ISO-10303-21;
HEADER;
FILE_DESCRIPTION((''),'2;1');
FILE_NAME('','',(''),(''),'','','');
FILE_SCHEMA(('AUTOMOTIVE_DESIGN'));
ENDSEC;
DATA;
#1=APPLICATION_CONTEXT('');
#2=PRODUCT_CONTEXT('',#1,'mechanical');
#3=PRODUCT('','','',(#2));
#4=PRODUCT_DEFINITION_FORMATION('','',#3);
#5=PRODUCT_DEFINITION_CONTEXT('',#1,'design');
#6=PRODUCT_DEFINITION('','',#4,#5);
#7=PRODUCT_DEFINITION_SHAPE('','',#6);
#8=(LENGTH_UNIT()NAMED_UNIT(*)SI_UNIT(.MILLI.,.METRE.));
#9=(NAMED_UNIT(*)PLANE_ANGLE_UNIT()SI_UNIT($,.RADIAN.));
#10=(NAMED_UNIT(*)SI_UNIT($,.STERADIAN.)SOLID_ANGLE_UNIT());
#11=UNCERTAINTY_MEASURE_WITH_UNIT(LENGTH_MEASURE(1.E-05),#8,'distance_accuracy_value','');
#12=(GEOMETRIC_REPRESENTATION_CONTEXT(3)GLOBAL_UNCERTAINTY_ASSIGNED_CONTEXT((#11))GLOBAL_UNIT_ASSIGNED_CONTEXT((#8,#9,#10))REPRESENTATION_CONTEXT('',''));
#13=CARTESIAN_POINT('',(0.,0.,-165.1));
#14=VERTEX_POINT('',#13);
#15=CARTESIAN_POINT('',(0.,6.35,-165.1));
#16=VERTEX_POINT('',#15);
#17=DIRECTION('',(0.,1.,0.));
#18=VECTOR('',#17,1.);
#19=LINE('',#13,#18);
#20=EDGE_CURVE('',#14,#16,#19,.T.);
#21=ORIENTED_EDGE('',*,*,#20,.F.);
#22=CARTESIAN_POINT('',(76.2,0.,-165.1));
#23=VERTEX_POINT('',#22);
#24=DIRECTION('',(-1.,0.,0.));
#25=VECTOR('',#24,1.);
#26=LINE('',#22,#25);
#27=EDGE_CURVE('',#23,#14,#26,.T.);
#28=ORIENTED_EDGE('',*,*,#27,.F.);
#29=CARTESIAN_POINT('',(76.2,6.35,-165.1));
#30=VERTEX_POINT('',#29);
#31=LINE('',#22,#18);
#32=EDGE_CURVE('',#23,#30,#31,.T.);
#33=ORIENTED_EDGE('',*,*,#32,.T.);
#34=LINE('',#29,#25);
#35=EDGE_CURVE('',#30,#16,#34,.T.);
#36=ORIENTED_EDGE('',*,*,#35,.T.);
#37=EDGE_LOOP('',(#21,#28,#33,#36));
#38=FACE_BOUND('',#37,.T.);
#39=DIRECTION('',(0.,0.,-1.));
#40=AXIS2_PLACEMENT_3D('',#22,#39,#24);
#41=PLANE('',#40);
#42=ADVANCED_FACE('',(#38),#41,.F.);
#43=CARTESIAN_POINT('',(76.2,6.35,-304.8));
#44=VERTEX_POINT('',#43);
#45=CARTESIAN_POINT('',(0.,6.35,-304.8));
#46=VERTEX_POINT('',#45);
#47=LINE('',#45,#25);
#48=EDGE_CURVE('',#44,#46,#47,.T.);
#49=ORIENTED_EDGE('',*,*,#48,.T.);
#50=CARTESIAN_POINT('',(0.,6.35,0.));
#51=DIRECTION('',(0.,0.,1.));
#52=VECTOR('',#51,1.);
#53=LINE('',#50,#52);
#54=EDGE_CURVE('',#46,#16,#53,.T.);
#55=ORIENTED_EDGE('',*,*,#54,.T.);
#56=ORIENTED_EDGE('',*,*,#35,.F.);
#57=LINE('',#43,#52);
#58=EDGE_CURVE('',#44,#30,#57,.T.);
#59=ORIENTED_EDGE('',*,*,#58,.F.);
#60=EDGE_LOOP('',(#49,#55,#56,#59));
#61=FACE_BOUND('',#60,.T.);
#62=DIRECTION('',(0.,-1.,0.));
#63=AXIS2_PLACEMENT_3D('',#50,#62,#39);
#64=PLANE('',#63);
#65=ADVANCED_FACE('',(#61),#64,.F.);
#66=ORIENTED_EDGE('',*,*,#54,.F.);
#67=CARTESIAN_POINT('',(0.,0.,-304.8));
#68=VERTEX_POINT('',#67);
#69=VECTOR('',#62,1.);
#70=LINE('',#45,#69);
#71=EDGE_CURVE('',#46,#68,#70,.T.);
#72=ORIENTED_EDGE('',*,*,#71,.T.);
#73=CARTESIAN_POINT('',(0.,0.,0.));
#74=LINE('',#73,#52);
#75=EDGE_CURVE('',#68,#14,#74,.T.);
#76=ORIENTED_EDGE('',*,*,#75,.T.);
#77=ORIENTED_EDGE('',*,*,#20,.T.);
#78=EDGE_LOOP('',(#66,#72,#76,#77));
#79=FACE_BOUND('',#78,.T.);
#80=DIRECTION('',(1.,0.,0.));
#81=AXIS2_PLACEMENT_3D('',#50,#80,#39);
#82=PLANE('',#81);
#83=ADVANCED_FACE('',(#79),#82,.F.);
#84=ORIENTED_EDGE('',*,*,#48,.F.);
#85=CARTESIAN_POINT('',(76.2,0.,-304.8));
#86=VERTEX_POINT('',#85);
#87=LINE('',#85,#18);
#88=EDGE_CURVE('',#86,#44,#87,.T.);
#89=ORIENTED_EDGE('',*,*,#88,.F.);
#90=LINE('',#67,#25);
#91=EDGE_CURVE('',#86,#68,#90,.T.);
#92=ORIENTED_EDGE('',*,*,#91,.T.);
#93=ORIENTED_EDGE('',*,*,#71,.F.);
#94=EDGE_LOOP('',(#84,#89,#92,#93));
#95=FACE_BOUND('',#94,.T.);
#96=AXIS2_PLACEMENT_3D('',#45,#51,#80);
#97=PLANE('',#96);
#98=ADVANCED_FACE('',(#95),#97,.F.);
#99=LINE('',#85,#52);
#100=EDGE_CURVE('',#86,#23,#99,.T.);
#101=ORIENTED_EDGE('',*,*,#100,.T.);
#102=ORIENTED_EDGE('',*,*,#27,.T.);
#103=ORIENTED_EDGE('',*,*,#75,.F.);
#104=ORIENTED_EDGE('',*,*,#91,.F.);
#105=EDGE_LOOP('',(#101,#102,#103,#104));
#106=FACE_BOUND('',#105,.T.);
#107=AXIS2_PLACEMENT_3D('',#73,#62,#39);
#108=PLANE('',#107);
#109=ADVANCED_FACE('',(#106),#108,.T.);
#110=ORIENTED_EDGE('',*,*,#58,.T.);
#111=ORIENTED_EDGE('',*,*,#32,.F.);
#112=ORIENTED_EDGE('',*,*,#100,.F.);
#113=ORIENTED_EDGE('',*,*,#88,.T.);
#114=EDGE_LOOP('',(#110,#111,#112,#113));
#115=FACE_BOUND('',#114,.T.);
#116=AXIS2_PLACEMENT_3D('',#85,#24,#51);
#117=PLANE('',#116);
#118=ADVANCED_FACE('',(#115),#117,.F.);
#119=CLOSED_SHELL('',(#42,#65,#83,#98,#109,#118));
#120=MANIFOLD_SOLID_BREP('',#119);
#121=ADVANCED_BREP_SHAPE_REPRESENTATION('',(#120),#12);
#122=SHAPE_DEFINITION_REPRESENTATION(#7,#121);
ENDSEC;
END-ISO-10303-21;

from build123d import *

# Parameters (mm, degrees)
SKETCH1_W           = 304.8
SKETCH1_H           = 304.8
BOSS_EXTRUDE1_DEPTH = 6.35
CUT_EXTRUDE2_DEPTH  = 6.35


with BuildPart() as part:
    # Sketch1 → Boss-Extrude1 (new body)
    with BuildSketch(Plane(origin=(0, 0, 0), x_dir=(1, 0, 0), z_dir=(0, 1, 0))):
        with Locations((152.4, 152.4)):
            Rectangle(SKETCH1_W, SKETCH1_H)
    extrude(amount=BOSS_EXTRUDE1_DEPTH)

    # Sketch2 → Cut-Extrude2 (cut)
    with BuildSketch(Plane(origin=(0, 6.35, 0), x_dir=(1, 0, 0), z_dir=(0, 1, 0))):
        Polygon((76.2, 304.8), (76.2, 165.1), (0, 165.1), (0, 0), (304.8, 0), (304.8, 304.8), align=None)
    extrude(amount=-CUT_EXTRUDE2_DEPTH, mode=Mode.SUBTRACT)


solid = part.part
